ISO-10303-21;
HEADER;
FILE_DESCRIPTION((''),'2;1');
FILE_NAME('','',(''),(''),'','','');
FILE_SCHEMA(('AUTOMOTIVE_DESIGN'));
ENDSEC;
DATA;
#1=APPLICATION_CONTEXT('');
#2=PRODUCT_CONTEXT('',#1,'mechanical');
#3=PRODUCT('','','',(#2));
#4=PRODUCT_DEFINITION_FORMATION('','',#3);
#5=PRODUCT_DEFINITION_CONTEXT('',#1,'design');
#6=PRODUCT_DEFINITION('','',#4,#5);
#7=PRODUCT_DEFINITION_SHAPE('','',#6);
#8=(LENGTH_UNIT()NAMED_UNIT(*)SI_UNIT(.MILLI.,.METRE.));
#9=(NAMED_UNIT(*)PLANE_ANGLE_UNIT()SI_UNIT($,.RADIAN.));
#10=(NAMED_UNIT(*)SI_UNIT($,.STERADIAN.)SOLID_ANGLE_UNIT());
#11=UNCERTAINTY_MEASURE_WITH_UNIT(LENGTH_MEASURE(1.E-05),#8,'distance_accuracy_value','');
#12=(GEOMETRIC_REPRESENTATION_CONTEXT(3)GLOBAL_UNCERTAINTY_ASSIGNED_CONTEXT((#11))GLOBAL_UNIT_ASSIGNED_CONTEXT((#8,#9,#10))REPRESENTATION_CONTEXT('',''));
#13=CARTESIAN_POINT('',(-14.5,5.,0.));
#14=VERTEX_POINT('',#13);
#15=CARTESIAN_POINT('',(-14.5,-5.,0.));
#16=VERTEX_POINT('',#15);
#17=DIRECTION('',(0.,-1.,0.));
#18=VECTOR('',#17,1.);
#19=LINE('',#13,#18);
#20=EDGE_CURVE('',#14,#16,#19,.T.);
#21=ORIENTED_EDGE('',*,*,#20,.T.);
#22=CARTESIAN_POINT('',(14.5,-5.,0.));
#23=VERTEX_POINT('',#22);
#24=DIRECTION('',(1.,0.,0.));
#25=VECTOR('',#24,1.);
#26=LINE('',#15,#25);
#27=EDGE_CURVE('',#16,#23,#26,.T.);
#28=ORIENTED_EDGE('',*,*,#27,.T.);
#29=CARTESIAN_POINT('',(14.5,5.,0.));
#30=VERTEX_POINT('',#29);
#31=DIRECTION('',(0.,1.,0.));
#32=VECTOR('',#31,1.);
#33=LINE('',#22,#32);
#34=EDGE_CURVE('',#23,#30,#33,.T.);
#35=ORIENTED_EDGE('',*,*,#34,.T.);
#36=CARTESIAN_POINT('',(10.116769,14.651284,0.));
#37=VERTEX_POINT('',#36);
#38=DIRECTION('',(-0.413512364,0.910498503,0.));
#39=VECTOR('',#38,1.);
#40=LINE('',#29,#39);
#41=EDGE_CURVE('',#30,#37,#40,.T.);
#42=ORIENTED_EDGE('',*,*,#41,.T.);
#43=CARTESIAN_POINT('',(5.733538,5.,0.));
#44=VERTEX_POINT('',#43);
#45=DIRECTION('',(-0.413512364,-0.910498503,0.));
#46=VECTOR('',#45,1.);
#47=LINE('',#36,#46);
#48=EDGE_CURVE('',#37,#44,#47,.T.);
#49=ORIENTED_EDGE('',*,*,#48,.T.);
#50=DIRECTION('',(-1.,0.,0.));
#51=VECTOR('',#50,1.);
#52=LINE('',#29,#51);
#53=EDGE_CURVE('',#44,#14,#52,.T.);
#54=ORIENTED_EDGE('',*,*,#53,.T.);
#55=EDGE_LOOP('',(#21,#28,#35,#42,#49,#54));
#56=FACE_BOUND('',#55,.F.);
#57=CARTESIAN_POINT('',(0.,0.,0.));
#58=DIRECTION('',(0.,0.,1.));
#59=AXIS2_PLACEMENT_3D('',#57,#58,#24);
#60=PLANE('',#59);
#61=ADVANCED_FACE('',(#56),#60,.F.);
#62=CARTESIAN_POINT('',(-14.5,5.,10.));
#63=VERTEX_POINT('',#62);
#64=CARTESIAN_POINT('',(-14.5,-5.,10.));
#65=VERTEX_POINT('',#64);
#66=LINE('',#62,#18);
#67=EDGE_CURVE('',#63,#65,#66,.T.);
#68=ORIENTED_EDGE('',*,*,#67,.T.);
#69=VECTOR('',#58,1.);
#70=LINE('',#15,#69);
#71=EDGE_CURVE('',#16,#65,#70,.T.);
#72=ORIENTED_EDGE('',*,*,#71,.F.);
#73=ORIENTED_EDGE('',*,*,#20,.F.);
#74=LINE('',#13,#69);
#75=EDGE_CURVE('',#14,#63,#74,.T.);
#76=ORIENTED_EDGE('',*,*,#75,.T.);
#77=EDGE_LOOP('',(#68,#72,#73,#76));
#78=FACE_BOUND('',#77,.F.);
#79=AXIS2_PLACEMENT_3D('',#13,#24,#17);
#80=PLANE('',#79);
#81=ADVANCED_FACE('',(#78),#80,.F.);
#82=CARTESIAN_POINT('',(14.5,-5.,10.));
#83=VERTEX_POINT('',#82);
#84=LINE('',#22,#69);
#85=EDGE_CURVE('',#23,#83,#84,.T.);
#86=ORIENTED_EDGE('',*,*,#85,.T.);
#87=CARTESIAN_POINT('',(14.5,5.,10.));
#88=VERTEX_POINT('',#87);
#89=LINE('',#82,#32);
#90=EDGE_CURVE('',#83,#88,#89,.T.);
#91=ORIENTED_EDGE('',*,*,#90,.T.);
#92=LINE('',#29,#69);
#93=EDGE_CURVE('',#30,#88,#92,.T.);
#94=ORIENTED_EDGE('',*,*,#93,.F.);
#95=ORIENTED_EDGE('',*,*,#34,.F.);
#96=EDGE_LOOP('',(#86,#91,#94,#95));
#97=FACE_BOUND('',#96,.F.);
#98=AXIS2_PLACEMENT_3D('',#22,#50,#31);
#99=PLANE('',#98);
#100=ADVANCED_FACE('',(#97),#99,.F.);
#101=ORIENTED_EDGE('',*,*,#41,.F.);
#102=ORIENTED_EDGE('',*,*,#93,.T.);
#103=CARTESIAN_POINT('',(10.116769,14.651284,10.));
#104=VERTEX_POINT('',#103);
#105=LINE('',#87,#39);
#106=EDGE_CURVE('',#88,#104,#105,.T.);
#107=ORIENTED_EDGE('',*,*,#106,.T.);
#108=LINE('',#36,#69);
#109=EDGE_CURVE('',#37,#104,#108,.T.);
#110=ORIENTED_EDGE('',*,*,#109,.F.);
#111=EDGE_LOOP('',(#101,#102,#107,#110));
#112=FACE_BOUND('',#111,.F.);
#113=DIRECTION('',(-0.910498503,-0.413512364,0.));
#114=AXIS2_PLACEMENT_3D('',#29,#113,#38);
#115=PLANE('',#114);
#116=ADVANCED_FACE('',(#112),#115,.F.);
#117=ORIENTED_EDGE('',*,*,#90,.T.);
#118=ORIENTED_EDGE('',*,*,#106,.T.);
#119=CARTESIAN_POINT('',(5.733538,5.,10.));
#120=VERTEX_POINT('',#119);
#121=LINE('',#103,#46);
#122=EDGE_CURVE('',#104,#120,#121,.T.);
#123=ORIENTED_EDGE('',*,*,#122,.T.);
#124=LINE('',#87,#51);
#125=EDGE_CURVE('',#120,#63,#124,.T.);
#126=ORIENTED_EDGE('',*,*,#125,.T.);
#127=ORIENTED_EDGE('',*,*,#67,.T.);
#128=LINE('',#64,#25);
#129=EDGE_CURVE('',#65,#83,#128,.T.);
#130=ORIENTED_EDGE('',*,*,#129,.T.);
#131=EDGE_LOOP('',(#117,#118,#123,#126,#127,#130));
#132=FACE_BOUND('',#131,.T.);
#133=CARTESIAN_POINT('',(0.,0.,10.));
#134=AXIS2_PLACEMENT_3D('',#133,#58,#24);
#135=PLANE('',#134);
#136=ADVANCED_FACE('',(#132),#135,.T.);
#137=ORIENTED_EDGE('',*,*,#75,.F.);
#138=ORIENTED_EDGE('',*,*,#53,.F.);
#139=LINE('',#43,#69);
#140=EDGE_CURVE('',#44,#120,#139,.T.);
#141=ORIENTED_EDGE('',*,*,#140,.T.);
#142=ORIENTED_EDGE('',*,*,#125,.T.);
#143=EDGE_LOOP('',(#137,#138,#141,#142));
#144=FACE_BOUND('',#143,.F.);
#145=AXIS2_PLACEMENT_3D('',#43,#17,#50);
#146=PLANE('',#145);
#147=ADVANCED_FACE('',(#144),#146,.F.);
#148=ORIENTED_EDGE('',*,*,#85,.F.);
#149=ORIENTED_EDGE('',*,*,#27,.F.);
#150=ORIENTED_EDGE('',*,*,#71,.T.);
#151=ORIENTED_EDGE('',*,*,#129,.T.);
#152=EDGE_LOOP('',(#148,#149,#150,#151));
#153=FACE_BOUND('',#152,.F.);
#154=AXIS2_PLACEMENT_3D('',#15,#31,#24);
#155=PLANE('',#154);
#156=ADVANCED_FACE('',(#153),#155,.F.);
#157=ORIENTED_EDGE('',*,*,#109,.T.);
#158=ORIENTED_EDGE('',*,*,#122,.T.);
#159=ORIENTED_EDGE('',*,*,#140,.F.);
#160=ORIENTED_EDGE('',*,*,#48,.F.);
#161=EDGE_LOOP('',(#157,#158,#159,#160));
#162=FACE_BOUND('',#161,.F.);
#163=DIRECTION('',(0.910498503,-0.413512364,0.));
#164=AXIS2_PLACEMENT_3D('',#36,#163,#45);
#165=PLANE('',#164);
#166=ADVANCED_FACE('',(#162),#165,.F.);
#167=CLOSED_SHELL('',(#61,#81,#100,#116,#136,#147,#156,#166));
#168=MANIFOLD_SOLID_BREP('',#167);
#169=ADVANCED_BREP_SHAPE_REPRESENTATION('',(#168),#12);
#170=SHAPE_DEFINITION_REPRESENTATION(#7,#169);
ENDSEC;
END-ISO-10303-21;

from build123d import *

# Parameters (mm, degrees)
F1_DEPTH = 10


with BuildPart() as f1:
    # F0 (on Top) → F1 (new body)
    with BuildSketch(Plane.XY):
        Polygon((5.733538, 5), (-14.5, 5), (-14.5, -5), (14.5, -5), (14.5, 5), align=None)
        Polygon((10.116769, 14.651284), (5.733538, 5), (14.5, 5), align=None)
    extrude(amount=F1_DEPTH)


solid = f1.part
